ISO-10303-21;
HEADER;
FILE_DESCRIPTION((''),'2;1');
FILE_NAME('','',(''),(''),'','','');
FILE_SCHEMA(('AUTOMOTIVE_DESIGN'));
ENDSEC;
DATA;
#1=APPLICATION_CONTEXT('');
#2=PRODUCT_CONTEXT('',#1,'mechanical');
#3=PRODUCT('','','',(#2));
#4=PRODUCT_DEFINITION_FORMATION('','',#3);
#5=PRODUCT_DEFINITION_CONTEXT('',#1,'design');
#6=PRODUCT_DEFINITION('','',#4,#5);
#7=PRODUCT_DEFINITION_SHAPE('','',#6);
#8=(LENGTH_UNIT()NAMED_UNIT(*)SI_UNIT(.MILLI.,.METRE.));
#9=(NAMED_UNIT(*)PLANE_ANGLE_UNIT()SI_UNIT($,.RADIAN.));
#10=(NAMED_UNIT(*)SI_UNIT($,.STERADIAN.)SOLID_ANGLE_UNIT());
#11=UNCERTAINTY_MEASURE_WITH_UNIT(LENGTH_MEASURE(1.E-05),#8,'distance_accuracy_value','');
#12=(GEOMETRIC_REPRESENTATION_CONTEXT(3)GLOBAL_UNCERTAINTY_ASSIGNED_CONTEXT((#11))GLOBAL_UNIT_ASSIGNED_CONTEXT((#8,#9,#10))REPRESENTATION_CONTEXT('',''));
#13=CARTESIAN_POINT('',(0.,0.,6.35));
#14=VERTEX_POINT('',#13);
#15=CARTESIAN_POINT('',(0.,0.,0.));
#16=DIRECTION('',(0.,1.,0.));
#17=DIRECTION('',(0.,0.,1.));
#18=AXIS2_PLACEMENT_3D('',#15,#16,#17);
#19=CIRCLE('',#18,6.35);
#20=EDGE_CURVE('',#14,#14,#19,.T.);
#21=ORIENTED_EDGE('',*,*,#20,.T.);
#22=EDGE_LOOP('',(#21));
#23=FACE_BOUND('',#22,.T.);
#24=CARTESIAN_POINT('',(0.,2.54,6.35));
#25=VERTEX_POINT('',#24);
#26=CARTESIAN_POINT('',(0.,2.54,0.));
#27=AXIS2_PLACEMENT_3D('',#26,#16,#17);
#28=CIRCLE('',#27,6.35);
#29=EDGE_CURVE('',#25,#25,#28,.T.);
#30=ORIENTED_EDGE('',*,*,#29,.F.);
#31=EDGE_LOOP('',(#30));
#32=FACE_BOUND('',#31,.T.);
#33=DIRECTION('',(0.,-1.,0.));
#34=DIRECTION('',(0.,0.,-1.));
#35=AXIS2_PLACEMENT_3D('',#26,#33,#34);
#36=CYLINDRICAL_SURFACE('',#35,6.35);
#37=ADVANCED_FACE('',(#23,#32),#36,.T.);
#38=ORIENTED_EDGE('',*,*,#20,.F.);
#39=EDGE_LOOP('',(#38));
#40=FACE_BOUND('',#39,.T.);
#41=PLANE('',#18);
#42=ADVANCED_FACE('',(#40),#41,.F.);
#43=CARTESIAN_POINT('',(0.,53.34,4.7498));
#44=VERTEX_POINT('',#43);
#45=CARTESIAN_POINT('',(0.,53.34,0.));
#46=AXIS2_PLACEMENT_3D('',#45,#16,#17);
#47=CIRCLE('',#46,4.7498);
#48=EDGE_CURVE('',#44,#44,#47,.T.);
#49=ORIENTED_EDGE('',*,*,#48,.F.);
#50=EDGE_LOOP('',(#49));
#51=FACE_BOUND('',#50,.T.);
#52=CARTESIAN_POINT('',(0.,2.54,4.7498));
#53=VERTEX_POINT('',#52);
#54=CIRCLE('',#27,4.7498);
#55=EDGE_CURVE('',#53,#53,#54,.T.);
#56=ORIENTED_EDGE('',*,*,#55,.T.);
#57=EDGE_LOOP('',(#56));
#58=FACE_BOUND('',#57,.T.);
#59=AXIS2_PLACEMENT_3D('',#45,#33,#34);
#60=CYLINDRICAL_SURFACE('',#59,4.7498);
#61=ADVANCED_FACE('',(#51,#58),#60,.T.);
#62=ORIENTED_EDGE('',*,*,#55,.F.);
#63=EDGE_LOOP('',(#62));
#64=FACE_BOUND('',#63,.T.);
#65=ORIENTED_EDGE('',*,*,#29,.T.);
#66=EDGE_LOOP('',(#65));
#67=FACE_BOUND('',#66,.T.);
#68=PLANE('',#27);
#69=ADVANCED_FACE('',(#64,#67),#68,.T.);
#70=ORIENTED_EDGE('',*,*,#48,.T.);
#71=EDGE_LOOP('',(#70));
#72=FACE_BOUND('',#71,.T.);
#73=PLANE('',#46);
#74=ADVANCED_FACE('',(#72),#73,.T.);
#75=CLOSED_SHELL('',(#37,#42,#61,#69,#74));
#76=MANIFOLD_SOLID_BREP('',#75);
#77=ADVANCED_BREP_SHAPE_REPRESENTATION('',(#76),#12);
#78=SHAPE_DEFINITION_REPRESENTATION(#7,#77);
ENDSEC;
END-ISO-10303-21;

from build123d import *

# Parameters (mm, degrees)
SKETCH1_R           = 6.35
BOSS_EXTRUDE1_DEPTH = 2.54
SKETCH2_R           = 4.7498
BOSS_EXTRUDE2_DEPTH = 50.8


with BuildPart() as part:
    # Sketch1 → Boss-Extrude1 (new body)
    with BuildSketch(Plane(origin=(0, 0, 0), x_dir=(1, 0, 0), z_dir=(0, 1, 0))):
        Circle(SKETCH1_R)
    extrude(amount=BOSS_EXTRUDE1_DEPTH)

    # Sketch2 → Boss-Extrude2 (add)
    with BuildSketch(Plane(origin=(0, 2.54, 0), x_dir=(1, 0, 0), z_dir=(0, 1, 0))):
        Circle(SKETCH2_R)
    extrude(amount=BOSS_EXTRUDE2_DEPTH)


solid = part.part
